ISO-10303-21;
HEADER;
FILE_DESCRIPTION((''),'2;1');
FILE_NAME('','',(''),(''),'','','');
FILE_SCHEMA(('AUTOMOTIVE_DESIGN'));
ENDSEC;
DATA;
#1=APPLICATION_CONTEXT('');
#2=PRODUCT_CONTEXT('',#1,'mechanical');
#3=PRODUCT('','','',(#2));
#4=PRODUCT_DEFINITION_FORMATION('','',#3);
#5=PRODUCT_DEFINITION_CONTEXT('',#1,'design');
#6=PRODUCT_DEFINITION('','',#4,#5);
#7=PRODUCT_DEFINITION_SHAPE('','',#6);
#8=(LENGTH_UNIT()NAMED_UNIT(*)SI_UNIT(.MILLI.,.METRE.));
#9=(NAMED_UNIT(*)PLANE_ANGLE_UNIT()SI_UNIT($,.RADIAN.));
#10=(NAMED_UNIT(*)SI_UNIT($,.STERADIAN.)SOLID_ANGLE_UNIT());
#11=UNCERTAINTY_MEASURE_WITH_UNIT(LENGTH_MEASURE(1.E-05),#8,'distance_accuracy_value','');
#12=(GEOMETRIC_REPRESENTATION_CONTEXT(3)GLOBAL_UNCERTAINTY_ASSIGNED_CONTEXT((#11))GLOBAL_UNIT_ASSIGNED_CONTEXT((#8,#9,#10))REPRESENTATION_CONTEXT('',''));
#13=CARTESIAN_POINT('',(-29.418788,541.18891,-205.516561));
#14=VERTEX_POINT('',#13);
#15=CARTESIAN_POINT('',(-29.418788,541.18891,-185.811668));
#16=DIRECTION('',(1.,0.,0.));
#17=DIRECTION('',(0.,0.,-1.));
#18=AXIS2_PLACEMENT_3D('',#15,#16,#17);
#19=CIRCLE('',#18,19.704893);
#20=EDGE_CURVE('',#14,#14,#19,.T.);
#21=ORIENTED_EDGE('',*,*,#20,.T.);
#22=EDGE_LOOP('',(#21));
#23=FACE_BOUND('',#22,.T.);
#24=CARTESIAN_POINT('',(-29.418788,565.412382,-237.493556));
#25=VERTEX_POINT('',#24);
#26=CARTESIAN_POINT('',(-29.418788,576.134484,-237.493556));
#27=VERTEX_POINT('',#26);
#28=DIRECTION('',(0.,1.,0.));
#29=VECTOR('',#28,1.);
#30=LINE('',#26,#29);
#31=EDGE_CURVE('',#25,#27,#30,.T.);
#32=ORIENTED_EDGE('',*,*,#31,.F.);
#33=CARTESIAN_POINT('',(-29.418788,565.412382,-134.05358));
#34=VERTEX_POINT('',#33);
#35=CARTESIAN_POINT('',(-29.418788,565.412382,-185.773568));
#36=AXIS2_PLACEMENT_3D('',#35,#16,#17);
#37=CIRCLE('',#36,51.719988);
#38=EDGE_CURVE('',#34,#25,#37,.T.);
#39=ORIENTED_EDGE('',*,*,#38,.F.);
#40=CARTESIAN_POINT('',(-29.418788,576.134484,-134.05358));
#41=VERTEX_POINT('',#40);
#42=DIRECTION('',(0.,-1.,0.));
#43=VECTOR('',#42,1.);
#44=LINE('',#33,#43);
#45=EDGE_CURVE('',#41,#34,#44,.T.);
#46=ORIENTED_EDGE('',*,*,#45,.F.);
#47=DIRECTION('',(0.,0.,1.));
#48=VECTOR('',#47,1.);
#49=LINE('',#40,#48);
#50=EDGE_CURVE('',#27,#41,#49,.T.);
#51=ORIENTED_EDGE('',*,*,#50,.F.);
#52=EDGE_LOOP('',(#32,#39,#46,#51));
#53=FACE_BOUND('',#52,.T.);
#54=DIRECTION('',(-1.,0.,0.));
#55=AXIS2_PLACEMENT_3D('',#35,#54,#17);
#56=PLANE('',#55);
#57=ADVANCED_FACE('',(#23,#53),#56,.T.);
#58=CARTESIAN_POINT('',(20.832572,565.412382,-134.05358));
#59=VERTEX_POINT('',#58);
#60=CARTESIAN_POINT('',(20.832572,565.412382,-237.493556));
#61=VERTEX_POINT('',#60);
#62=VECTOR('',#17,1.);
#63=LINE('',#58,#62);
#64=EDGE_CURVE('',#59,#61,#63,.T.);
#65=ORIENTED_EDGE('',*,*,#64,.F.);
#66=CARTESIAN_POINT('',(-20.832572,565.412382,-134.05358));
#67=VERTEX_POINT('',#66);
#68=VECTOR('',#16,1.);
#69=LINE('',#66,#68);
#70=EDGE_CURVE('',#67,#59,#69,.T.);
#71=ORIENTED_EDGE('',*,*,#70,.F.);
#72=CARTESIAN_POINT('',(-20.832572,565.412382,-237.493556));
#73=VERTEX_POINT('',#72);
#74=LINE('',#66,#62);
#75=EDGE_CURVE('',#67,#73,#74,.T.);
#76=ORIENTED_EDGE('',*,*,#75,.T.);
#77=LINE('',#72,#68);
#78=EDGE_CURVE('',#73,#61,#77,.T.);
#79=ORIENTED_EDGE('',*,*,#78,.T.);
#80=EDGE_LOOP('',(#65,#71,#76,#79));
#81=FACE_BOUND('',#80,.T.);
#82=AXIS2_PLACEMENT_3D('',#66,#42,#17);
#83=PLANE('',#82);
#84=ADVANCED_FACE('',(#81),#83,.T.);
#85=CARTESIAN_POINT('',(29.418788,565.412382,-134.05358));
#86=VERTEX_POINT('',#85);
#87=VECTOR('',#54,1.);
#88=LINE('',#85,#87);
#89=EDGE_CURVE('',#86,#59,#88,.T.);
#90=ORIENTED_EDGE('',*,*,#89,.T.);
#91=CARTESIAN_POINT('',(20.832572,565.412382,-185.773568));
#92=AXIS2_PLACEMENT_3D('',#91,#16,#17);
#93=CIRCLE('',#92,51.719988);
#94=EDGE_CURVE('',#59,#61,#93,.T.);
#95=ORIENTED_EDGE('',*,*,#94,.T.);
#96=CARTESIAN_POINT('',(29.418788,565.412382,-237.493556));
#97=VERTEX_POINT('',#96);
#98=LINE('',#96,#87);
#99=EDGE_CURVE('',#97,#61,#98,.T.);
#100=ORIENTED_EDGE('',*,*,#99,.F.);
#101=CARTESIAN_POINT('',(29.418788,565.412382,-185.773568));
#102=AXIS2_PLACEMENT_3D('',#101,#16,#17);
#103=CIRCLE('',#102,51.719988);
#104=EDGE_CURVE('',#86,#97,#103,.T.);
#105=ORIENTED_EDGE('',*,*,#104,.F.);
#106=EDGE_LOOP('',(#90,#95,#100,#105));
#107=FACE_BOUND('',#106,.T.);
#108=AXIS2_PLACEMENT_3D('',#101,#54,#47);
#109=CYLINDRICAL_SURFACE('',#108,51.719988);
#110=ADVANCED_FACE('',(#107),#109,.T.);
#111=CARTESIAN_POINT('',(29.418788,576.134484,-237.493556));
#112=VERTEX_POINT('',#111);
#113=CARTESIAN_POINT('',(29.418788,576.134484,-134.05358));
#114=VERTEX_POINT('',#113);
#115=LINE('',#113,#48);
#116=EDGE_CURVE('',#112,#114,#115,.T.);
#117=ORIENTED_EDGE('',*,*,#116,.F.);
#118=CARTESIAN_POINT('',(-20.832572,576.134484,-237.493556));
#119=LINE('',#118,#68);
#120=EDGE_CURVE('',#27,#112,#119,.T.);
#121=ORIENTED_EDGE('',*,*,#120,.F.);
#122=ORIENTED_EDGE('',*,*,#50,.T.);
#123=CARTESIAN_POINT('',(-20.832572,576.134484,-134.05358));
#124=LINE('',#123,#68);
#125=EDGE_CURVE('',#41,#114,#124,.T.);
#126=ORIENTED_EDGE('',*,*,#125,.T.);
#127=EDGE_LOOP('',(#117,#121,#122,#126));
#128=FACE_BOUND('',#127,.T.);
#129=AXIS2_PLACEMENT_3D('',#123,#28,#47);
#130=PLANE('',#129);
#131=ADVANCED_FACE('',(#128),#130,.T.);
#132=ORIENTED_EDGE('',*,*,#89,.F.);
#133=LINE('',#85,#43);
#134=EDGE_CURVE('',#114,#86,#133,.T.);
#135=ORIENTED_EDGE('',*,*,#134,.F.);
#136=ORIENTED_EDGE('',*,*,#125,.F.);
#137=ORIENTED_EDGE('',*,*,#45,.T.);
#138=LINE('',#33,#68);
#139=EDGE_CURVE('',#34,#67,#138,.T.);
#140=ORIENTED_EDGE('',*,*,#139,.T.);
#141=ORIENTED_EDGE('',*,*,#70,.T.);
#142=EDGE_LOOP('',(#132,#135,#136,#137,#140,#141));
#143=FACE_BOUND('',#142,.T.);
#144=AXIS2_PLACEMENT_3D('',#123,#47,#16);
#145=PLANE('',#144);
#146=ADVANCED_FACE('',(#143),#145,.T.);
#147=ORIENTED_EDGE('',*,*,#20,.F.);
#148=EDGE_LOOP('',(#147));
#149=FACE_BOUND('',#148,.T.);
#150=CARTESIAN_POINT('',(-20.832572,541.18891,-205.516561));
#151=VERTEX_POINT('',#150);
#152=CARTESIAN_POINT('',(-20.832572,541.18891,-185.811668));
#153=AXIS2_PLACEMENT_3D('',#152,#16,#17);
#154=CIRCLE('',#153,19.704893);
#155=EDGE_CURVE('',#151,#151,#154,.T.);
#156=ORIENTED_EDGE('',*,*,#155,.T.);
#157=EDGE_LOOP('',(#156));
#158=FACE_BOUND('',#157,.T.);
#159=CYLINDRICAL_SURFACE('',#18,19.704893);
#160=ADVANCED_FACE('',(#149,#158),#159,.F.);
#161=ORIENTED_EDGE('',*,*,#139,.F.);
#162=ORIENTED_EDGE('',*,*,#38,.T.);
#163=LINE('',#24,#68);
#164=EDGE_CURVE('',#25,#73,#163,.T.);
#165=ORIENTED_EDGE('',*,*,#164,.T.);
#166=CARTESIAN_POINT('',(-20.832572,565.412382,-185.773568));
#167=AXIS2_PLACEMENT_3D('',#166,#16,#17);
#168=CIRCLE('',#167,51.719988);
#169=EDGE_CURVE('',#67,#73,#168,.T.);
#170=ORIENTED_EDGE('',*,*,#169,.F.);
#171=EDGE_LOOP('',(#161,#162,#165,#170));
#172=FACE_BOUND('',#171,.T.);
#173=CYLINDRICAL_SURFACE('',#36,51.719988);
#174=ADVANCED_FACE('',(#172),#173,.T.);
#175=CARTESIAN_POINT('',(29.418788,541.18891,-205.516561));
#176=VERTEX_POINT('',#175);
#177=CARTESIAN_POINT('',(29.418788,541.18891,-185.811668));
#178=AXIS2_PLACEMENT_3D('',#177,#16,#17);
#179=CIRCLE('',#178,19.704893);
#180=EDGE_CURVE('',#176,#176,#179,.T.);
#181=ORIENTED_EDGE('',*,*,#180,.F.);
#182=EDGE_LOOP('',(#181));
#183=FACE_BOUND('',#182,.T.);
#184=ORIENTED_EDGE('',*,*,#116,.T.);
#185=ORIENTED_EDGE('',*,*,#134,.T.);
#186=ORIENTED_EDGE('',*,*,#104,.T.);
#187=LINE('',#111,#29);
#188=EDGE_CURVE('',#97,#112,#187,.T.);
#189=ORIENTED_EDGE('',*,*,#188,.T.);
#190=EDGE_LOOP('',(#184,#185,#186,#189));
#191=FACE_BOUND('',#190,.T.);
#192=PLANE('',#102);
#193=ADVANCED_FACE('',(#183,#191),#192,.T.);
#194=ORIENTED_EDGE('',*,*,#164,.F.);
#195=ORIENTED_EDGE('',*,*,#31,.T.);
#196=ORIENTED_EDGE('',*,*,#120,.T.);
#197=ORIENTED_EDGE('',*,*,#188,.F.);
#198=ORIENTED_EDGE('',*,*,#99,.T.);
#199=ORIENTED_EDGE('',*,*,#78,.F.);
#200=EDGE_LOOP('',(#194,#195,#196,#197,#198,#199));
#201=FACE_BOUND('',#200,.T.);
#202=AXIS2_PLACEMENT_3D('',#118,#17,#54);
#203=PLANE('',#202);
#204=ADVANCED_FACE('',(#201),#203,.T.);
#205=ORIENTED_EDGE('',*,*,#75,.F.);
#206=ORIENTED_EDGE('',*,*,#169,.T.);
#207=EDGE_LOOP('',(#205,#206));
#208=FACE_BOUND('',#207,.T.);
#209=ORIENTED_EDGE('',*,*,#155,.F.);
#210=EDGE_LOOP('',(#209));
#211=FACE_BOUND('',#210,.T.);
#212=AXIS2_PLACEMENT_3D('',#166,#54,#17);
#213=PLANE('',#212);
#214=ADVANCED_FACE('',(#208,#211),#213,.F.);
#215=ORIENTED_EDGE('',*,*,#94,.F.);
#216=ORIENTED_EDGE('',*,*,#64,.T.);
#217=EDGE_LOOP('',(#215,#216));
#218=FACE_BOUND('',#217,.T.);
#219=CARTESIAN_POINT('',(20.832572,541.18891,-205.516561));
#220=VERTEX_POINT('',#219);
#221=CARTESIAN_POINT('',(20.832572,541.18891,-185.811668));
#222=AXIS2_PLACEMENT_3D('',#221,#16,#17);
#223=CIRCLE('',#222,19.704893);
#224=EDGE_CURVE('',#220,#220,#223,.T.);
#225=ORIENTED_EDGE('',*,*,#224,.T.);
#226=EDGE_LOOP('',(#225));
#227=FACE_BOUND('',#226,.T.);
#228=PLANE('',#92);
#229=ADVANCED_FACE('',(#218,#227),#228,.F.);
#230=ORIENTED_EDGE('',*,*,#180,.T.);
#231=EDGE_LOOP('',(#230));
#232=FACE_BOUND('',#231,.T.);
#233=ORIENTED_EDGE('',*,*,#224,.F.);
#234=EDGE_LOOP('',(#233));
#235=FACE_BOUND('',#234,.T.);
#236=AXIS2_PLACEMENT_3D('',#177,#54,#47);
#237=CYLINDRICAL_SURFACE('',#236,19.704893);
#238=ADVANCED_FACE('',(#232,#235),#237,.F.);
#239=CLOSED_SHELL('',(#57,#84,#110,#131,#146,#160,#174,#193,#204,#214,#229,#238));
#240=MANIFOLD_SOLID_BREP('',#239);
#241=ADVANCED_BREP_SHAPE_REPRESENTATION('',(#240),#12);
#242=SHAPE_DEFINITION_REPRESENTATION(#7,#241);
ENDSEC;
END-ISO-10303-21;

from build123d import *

# Parameters (mm, degrees)
BOSS_EXTRUDE1_DEPTH      = 20.832572
BOSS_EXTRUDE1_DEPTH_BACK = 20.832572
SKETCH1_W                = 103.439976
SKETCH1_H                = 10.722102
SKETCH2_R                = 19.704892681
BOSS_EXTRUDE2_DEPTH      = 8.586216


with BuildPart() as part:
    # Sketch1 → Boss-Extrude1 (new, two sides: drawn at the far end of the back side and taken through both)
    with BuildSketch(Plane(origin=(0, 0, 0), x_dir=(0, 0, -1), z_dir=(1, 0, 0)).offset(-BOSS_EXTRUDE1_DEPTH_BACK)):
        with Locations((185.773568, 570.773433)):
            Rectangle(SKETCH1_W, SKETCH1_H)
    extrude(amount=BOSS_EXTRUDE1_DEPTH + BOSS_EXTRUDE1_DEPTH_BACK)

    # Sketch2 → Boss-Extrude2 (add)
    with BuildSketch(Plane(origin=(20.832572, 0, 0), x_dir=(0, 0, -1), z_dir=(1, 0, 0))):
        with BuildLine():
            Line((134.05358, 565.412382), (134.05358, 576.134484))
            Line((134.05358, 576.134484), (237.493556, 576.134484))
            Line((237.493556, 576.134484), (237.493556, 565.412382))
            ThreePointArc((237.493556, 565.412382), (185.773568, 513.692394), (134.05358, 565.412382))
        make_face()
        with Locations((185.811668, 541.18891)):
            Circle(SKETCH2_R, mode=Mode.SUBTRACT)
    boss_extrude2 = extrude(amount=BOSS_EXTRUDE2_DEPTH)

    # Mirror1: Boss-Extrude2 across plane
    add(boss_extrude2.mirror(Plane(origin=(0, 0, 0), x_dir=(0, 0, 1), z_dir=(1, 0, 0))))


solid = part.part
